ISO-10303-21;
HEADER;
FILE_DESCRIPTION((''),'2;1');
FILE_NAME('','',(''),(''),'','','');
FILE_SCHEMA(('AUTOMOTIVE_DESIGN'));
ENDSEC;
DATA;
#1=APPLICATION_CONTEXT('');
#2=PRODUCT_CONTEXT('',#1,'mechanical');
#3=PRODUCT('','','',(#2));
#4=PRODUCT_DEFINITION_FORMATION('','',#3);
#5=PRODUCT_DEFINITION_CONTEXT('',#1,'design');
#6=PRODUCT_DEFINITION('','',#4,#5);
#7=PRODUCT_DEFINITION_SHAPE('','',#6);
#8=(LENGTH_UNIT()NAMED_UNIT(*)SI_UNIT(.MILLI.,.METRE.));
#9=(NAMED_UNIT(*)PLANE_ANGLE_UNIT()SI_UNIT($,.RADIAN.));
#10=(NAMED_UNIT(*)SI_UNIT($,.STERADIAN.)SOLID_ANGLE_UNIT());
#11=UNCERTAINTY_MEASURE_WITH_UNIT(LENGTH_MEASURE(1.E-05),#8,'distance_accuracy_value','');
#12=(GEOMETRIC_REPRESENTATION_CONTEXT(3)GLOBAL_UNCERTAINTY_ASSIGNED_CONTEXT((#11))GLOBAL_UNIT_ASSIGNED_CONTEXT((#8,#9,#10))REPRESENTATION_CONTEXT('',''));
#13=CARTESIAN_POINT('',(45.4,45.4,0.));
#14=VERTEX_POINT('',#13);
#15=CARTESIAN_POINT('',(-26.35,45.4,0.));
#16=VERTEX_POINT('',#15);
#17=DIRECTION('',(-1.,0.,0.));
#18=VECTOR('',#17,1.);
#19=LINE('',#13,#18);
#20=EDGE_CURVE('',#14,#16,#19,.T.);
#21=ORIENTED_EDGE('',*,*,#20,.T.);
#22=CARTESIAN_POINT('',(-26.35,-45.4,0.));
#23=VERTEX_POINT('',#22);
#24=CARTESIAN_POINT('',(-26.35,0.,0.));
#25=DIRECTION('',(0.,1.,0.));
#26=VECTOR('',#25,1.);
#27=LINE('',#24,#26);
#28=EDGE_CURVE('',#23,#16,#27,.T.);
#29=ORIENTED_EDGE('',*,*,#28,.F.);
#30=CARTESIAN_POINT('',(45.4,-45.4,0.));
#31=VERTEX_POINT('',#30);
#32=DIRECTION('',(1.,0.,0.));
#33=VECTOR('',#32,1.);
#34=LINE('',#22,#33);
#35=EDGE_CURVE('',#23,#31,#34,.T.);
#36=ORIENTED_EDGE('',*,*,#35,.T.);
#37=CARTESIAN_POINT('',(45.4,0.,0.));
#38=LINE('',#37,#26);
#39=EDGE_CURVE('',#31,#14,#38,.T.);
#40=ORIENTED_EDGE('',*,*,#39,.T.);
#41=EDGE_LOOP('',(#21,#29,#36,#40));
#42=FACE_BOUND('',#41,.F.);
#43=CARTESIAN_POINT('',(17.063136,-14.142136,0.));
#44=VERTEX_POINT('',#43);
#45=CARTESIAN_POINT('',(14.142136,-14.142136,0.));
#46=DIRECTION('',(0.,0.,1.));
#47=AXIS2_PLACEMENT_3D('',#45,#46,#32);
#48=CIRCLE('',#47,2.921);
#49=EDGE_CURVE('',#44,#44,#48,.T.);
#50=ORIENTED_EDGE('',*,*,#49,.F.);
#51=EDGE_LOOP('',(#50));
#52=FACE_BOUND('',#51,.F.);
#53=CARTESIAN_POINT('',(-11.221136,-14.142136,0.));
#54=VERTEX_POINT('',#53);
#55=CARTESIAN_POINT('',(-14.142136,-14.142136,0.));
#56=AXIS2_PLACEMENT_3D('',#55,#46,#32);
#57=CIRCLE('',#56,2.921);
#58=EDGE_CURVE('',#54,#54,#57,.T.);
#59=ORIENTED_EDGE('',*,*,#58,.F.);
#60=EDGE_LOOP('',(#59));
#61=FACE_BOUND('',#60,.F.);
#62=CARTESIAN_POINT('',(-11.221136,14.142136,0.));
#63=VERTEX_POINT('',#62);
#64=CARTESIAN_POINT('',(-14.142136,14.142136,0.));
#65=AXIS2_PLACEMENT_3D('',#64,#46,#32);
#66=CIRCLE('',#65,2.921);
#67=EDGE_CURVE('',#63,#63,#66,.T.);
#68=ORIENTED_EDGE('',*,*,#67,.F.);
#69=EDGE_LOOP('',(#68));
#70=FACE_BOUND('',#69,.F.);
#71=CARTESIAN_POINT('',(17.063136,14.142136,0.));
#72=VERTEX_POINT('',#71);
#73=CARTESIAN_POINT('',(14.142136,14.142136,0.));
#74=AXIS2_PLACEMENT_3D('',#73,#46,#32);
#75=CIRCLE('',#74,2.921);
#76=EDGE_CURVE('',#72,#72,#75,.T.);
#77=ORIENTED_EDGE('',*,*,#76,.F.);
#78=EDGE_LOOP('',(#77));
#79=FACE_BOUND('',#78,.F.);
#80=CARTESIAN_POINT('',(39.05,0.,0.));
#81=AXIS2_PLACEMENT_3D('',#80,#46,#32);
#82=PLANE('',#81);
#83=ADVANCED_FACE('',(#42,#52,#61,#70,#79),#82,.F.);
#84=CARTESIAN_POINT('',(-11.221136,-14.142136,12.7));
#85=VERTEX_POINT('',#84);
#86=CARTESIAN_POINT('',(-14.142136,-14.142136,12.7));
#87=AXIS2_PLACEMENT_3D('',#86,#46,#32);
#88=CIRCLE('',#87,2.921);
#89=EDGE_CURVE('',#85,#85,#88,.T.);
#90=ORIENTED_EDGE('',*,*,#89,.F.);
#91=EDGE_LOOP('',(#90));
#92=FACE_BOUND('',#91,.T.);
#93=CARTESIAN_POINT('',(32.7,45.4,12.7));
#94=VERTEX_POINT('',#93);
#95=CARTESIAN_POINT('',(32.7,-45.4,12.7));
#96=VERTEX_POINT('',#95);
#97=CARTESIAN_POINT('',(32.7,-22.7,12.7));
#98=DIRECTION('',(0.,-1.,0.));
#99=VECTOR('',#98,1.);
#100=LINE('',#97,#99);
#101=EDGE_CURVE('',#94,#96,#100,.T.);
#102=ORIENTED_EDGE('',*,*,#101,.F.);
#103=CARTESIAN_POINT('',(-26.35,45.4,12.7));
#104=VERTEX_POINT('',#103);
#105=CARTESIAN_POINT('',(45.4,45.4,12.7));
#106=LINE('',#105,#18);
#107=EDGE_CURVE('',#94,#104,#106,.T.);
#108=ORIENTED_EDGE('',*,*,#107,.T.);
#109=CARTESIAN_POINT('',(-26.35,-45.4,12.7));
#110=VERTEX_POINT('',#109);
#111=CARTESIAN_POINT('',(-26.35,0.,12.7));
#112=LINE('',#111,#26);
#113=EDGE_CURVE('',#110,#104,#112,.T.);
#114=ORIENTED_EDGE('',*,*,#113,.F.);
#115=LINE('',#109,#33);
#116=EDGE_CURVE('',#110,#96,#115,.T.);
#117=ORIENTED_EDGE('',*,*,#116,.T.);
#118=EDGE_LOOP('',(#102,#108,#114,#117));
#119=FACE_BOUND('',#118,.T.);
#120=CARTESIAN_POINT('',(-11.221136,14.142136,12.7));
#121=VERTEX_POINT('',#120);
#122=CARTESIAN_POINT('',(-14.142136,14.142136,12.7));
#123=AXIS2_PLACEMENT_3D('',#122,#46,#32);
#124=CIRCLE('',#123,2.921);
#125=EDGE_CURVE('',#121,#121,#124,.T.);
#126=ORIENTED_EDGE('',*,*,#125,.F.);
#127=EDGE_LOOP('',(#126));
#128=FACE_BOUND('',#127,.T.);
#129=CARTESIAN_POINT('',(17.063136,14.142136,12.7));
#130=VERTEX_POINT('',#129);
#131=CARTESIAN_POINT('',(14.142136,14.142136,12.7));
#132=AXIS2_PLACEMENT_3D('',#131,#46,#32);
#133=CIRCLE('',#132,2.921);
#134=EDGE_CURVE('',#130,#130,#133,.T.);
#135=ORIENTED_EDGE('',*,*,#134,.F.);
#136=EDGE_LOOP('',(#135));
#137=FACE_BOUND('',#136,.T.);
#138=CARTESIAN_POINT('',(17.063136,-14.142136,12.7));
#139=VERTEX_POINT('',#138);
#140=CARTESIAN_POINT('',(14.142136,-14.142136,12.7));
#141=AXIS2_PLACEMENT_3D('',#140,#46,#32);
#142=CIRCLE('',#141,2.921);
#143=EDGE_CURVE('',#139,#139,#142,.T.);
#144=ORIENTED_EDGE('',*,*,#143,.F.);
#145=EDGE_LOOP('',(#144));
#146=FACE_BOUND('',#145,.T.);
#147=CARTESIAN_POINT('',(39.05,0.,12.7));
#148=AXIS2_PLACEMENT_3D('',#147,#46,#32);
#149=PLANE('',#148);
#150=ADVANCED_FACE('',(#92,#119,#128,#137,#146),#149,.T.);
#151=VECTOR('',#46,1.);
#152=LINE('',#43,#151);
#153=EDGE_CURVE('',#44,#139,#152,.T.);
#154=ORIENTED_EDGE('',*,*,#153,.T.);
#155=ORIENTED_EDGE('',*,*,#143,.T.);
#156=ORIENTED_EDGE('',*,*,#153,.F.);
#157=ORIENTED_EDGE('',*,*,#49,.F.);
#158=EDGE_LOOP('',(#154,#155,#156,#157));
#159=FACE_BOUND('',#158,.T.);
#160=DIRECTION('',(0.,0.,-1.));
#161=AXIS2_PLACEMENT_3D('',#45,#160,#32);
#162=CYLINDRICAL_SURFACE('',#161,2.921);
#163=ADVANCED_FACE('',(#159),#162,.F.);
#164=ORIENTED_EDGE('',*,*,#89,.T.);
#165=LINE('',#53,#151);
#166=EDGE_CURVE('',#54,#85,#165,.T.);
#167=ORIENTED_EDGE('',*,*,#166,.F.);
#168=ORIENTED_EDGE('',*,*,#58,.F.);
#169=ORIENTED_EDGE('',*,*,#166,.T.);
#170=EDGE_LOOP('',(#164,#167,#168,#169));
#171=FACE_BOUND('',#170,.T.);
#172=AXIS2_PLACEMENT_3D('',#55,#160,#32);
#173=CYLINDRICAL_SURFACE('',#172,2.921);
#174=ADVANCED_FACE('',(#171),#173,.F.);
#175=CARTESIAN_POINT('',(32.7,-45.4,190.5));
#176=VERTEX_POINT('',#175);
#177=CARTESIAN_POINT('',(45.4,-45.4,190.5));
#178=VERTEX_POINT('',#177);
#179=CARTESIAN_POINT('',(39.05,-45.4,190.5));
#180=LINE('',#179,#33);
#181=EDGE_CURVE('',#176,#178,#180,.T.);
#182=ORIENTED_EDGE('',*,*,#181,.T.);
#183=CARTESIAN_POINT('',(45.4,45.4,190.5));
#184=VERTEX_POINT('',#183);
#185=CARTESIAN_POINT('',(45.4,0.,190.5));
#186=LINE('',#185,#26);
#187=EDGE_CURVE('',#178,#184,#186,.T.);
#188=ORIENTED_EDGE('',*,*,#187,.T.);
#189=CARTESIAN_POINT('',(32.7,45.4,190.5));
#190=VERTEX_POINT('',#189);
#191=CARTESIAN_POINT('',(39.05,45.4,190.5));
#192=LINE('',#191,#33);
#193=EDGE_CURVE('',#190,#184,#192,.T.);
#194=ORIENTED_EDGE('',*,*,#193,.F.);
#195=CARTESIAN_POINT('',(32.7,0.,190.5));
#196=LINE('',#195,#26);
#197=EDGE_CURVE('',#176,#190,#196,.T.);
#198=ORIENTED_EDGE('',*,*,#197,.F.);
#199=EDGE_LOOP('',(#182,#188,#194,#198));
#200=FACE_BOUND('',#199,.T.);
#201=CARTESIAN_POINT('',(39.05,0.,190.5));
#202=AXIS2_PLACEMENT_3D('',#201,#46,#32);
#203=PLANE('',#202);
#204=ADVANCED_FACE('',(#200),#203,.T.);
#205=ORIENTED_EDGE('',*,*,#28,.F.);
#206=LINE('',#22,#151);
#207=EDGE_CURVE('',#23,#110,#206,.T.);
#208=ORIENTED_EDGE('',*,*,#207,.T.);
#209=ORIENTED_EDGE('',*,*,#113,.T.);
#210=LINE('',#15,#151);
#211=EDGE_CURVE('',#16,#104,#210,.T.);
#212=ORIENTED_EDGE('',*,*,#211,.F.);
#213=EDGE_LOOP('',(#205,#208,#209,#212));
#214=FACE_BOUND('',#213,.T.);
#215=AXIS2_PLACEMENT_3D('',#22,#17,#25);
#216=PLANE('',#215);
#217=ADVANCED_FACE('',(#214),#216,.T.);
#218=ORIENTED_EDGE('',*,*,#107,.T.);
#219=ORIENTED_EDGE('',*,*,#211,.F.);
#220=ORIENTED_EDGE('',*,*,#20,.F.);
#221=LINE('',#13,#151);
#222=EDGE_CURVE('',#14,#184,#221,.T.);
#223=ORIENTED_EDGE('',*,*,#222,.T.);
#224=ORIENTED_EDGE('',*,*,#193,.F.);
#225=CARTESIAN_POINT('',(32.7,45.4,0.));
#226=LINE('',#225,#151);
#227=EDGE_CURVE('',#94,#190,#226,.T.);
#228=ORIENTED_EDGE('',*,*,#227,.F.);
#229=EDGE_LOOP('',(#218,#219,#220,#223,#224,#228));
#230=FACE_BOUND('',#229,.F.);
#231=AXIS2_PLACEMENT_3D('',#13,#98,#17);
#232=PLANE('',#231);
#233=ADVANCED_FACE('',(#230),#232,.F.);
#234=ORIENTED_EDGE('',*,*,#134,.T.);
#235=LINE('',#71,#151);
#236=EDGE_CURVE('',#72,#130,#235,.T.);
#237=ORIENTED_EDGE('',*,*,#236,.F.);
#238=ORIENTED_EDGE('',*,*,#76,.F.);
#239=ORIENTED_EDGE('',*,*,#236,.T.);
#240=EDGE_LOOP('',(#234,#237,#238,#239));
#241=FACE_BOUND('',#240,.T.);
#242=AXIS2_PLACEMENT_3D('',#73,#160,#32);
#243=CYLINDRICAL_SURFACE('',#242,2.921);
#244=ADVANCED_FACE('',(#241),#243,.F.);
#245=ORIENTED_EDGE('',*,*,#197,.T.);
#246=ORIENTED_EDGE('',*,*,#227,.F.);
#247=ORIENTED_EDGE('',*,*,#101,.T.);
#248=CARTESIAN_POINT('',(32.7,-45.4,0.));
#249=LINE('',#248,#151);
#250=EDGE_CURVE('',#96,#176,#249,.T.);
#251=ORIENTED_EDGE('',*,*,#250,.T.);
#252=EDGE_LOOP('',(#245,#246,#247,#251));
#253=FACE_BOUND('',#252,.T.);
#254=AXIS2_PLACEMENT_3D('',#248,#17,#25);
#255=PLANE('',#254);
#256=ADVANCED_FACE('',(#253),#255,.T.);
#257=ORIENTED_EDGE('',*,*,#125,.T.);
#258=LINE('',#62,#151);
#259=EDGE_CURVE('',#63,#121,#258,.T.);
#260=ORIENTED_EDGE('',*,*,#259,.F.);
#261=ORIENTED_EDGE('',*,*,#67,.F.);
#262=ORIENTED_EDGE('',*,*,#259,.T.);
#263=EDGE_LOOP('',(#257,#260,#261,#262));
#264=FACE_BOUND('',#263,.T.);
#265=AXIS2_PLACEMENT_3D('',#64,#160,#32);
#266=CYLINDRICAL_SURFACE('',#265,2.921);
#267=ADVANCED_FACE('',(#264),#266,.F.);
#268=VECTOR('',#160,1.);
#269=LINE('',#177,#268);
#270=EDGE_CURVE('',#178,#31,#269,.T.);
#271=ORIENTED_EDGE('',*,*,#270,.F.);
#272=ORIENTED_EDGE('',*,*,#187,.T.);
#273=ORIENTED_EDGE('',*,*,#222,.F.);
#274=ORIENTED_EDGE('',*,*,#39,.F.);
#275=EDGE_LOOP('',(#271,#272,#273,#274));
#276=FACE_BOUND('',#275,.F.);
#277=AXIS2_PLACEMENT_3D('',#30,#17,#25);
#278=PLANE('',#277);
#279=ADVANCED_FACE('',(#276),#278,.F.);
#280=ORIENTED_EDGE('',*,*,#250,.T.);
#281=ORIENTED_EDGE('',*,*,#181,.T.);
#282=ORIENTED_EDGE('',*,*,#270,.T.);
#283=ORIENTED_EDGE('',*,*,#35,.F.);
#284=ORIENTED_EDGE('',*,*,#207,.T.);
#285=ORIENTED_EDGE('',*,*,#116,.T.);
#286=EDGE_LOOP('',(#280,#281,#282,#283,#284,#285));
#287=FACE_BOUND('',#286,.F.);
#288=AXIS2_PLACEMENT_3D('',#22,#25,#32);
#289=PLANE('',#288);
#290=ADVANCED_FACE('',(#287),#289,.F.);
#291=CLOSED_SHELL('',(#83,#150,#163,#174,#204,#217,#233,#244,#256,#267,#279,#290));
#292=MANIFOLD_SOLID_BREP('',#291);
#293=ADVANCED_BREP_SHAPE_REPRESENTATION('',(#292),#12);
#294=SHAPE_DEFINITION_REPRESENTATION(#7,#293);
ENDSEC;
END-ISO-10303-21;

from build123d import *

# Parameters (mm, degrees)
F0_W     = 12.7
F0_H     = 90.8
F0_W_2   = 59.05
F0_R     = 2.921
F1_DEPTH = 12.7
F2_DEPTH = 190.5


with BuildPart() as f1:
    # F0 (on Top) → F1 (new body)
    with BuildSketch(Plane.XY):
        with Locations((39.05, 0)):
            Rectangle(F0_W, F0_H)
        with Locations((3.175, 0)):
            Rectangle(F0_W_2, F0_H)
        with Locations((-14.142136, -14.142136)):
            Circle(F0_R, mode=Mode.SUBTRACT)
        with Locations((14.142136, -14.142136)):
            Circle(F0_R, mode=Mode.SUBTRACT)
        with Locations((-14.142136, 14.142136)):
            Circle(F0_R, mode=Mode.SUBTRACT)
        with Locations((14.142136, 14.142136)):
            Circle(F0_R, mode=Mode.SUBTRACT)
    extrude(amount=F1_DEPTH)

    # F0 (on Top) → F2 (join)
    with BuildSketch(Plane.XY):
        with Locations((39.05, 0)):
            Rectangle(F0_W, F0_H)
    extrude(amount=F2_DEPTH)


with BuildPart() as f3_1:
    # F3: copy of F1
    add(f1.part)


solid = f1.part
